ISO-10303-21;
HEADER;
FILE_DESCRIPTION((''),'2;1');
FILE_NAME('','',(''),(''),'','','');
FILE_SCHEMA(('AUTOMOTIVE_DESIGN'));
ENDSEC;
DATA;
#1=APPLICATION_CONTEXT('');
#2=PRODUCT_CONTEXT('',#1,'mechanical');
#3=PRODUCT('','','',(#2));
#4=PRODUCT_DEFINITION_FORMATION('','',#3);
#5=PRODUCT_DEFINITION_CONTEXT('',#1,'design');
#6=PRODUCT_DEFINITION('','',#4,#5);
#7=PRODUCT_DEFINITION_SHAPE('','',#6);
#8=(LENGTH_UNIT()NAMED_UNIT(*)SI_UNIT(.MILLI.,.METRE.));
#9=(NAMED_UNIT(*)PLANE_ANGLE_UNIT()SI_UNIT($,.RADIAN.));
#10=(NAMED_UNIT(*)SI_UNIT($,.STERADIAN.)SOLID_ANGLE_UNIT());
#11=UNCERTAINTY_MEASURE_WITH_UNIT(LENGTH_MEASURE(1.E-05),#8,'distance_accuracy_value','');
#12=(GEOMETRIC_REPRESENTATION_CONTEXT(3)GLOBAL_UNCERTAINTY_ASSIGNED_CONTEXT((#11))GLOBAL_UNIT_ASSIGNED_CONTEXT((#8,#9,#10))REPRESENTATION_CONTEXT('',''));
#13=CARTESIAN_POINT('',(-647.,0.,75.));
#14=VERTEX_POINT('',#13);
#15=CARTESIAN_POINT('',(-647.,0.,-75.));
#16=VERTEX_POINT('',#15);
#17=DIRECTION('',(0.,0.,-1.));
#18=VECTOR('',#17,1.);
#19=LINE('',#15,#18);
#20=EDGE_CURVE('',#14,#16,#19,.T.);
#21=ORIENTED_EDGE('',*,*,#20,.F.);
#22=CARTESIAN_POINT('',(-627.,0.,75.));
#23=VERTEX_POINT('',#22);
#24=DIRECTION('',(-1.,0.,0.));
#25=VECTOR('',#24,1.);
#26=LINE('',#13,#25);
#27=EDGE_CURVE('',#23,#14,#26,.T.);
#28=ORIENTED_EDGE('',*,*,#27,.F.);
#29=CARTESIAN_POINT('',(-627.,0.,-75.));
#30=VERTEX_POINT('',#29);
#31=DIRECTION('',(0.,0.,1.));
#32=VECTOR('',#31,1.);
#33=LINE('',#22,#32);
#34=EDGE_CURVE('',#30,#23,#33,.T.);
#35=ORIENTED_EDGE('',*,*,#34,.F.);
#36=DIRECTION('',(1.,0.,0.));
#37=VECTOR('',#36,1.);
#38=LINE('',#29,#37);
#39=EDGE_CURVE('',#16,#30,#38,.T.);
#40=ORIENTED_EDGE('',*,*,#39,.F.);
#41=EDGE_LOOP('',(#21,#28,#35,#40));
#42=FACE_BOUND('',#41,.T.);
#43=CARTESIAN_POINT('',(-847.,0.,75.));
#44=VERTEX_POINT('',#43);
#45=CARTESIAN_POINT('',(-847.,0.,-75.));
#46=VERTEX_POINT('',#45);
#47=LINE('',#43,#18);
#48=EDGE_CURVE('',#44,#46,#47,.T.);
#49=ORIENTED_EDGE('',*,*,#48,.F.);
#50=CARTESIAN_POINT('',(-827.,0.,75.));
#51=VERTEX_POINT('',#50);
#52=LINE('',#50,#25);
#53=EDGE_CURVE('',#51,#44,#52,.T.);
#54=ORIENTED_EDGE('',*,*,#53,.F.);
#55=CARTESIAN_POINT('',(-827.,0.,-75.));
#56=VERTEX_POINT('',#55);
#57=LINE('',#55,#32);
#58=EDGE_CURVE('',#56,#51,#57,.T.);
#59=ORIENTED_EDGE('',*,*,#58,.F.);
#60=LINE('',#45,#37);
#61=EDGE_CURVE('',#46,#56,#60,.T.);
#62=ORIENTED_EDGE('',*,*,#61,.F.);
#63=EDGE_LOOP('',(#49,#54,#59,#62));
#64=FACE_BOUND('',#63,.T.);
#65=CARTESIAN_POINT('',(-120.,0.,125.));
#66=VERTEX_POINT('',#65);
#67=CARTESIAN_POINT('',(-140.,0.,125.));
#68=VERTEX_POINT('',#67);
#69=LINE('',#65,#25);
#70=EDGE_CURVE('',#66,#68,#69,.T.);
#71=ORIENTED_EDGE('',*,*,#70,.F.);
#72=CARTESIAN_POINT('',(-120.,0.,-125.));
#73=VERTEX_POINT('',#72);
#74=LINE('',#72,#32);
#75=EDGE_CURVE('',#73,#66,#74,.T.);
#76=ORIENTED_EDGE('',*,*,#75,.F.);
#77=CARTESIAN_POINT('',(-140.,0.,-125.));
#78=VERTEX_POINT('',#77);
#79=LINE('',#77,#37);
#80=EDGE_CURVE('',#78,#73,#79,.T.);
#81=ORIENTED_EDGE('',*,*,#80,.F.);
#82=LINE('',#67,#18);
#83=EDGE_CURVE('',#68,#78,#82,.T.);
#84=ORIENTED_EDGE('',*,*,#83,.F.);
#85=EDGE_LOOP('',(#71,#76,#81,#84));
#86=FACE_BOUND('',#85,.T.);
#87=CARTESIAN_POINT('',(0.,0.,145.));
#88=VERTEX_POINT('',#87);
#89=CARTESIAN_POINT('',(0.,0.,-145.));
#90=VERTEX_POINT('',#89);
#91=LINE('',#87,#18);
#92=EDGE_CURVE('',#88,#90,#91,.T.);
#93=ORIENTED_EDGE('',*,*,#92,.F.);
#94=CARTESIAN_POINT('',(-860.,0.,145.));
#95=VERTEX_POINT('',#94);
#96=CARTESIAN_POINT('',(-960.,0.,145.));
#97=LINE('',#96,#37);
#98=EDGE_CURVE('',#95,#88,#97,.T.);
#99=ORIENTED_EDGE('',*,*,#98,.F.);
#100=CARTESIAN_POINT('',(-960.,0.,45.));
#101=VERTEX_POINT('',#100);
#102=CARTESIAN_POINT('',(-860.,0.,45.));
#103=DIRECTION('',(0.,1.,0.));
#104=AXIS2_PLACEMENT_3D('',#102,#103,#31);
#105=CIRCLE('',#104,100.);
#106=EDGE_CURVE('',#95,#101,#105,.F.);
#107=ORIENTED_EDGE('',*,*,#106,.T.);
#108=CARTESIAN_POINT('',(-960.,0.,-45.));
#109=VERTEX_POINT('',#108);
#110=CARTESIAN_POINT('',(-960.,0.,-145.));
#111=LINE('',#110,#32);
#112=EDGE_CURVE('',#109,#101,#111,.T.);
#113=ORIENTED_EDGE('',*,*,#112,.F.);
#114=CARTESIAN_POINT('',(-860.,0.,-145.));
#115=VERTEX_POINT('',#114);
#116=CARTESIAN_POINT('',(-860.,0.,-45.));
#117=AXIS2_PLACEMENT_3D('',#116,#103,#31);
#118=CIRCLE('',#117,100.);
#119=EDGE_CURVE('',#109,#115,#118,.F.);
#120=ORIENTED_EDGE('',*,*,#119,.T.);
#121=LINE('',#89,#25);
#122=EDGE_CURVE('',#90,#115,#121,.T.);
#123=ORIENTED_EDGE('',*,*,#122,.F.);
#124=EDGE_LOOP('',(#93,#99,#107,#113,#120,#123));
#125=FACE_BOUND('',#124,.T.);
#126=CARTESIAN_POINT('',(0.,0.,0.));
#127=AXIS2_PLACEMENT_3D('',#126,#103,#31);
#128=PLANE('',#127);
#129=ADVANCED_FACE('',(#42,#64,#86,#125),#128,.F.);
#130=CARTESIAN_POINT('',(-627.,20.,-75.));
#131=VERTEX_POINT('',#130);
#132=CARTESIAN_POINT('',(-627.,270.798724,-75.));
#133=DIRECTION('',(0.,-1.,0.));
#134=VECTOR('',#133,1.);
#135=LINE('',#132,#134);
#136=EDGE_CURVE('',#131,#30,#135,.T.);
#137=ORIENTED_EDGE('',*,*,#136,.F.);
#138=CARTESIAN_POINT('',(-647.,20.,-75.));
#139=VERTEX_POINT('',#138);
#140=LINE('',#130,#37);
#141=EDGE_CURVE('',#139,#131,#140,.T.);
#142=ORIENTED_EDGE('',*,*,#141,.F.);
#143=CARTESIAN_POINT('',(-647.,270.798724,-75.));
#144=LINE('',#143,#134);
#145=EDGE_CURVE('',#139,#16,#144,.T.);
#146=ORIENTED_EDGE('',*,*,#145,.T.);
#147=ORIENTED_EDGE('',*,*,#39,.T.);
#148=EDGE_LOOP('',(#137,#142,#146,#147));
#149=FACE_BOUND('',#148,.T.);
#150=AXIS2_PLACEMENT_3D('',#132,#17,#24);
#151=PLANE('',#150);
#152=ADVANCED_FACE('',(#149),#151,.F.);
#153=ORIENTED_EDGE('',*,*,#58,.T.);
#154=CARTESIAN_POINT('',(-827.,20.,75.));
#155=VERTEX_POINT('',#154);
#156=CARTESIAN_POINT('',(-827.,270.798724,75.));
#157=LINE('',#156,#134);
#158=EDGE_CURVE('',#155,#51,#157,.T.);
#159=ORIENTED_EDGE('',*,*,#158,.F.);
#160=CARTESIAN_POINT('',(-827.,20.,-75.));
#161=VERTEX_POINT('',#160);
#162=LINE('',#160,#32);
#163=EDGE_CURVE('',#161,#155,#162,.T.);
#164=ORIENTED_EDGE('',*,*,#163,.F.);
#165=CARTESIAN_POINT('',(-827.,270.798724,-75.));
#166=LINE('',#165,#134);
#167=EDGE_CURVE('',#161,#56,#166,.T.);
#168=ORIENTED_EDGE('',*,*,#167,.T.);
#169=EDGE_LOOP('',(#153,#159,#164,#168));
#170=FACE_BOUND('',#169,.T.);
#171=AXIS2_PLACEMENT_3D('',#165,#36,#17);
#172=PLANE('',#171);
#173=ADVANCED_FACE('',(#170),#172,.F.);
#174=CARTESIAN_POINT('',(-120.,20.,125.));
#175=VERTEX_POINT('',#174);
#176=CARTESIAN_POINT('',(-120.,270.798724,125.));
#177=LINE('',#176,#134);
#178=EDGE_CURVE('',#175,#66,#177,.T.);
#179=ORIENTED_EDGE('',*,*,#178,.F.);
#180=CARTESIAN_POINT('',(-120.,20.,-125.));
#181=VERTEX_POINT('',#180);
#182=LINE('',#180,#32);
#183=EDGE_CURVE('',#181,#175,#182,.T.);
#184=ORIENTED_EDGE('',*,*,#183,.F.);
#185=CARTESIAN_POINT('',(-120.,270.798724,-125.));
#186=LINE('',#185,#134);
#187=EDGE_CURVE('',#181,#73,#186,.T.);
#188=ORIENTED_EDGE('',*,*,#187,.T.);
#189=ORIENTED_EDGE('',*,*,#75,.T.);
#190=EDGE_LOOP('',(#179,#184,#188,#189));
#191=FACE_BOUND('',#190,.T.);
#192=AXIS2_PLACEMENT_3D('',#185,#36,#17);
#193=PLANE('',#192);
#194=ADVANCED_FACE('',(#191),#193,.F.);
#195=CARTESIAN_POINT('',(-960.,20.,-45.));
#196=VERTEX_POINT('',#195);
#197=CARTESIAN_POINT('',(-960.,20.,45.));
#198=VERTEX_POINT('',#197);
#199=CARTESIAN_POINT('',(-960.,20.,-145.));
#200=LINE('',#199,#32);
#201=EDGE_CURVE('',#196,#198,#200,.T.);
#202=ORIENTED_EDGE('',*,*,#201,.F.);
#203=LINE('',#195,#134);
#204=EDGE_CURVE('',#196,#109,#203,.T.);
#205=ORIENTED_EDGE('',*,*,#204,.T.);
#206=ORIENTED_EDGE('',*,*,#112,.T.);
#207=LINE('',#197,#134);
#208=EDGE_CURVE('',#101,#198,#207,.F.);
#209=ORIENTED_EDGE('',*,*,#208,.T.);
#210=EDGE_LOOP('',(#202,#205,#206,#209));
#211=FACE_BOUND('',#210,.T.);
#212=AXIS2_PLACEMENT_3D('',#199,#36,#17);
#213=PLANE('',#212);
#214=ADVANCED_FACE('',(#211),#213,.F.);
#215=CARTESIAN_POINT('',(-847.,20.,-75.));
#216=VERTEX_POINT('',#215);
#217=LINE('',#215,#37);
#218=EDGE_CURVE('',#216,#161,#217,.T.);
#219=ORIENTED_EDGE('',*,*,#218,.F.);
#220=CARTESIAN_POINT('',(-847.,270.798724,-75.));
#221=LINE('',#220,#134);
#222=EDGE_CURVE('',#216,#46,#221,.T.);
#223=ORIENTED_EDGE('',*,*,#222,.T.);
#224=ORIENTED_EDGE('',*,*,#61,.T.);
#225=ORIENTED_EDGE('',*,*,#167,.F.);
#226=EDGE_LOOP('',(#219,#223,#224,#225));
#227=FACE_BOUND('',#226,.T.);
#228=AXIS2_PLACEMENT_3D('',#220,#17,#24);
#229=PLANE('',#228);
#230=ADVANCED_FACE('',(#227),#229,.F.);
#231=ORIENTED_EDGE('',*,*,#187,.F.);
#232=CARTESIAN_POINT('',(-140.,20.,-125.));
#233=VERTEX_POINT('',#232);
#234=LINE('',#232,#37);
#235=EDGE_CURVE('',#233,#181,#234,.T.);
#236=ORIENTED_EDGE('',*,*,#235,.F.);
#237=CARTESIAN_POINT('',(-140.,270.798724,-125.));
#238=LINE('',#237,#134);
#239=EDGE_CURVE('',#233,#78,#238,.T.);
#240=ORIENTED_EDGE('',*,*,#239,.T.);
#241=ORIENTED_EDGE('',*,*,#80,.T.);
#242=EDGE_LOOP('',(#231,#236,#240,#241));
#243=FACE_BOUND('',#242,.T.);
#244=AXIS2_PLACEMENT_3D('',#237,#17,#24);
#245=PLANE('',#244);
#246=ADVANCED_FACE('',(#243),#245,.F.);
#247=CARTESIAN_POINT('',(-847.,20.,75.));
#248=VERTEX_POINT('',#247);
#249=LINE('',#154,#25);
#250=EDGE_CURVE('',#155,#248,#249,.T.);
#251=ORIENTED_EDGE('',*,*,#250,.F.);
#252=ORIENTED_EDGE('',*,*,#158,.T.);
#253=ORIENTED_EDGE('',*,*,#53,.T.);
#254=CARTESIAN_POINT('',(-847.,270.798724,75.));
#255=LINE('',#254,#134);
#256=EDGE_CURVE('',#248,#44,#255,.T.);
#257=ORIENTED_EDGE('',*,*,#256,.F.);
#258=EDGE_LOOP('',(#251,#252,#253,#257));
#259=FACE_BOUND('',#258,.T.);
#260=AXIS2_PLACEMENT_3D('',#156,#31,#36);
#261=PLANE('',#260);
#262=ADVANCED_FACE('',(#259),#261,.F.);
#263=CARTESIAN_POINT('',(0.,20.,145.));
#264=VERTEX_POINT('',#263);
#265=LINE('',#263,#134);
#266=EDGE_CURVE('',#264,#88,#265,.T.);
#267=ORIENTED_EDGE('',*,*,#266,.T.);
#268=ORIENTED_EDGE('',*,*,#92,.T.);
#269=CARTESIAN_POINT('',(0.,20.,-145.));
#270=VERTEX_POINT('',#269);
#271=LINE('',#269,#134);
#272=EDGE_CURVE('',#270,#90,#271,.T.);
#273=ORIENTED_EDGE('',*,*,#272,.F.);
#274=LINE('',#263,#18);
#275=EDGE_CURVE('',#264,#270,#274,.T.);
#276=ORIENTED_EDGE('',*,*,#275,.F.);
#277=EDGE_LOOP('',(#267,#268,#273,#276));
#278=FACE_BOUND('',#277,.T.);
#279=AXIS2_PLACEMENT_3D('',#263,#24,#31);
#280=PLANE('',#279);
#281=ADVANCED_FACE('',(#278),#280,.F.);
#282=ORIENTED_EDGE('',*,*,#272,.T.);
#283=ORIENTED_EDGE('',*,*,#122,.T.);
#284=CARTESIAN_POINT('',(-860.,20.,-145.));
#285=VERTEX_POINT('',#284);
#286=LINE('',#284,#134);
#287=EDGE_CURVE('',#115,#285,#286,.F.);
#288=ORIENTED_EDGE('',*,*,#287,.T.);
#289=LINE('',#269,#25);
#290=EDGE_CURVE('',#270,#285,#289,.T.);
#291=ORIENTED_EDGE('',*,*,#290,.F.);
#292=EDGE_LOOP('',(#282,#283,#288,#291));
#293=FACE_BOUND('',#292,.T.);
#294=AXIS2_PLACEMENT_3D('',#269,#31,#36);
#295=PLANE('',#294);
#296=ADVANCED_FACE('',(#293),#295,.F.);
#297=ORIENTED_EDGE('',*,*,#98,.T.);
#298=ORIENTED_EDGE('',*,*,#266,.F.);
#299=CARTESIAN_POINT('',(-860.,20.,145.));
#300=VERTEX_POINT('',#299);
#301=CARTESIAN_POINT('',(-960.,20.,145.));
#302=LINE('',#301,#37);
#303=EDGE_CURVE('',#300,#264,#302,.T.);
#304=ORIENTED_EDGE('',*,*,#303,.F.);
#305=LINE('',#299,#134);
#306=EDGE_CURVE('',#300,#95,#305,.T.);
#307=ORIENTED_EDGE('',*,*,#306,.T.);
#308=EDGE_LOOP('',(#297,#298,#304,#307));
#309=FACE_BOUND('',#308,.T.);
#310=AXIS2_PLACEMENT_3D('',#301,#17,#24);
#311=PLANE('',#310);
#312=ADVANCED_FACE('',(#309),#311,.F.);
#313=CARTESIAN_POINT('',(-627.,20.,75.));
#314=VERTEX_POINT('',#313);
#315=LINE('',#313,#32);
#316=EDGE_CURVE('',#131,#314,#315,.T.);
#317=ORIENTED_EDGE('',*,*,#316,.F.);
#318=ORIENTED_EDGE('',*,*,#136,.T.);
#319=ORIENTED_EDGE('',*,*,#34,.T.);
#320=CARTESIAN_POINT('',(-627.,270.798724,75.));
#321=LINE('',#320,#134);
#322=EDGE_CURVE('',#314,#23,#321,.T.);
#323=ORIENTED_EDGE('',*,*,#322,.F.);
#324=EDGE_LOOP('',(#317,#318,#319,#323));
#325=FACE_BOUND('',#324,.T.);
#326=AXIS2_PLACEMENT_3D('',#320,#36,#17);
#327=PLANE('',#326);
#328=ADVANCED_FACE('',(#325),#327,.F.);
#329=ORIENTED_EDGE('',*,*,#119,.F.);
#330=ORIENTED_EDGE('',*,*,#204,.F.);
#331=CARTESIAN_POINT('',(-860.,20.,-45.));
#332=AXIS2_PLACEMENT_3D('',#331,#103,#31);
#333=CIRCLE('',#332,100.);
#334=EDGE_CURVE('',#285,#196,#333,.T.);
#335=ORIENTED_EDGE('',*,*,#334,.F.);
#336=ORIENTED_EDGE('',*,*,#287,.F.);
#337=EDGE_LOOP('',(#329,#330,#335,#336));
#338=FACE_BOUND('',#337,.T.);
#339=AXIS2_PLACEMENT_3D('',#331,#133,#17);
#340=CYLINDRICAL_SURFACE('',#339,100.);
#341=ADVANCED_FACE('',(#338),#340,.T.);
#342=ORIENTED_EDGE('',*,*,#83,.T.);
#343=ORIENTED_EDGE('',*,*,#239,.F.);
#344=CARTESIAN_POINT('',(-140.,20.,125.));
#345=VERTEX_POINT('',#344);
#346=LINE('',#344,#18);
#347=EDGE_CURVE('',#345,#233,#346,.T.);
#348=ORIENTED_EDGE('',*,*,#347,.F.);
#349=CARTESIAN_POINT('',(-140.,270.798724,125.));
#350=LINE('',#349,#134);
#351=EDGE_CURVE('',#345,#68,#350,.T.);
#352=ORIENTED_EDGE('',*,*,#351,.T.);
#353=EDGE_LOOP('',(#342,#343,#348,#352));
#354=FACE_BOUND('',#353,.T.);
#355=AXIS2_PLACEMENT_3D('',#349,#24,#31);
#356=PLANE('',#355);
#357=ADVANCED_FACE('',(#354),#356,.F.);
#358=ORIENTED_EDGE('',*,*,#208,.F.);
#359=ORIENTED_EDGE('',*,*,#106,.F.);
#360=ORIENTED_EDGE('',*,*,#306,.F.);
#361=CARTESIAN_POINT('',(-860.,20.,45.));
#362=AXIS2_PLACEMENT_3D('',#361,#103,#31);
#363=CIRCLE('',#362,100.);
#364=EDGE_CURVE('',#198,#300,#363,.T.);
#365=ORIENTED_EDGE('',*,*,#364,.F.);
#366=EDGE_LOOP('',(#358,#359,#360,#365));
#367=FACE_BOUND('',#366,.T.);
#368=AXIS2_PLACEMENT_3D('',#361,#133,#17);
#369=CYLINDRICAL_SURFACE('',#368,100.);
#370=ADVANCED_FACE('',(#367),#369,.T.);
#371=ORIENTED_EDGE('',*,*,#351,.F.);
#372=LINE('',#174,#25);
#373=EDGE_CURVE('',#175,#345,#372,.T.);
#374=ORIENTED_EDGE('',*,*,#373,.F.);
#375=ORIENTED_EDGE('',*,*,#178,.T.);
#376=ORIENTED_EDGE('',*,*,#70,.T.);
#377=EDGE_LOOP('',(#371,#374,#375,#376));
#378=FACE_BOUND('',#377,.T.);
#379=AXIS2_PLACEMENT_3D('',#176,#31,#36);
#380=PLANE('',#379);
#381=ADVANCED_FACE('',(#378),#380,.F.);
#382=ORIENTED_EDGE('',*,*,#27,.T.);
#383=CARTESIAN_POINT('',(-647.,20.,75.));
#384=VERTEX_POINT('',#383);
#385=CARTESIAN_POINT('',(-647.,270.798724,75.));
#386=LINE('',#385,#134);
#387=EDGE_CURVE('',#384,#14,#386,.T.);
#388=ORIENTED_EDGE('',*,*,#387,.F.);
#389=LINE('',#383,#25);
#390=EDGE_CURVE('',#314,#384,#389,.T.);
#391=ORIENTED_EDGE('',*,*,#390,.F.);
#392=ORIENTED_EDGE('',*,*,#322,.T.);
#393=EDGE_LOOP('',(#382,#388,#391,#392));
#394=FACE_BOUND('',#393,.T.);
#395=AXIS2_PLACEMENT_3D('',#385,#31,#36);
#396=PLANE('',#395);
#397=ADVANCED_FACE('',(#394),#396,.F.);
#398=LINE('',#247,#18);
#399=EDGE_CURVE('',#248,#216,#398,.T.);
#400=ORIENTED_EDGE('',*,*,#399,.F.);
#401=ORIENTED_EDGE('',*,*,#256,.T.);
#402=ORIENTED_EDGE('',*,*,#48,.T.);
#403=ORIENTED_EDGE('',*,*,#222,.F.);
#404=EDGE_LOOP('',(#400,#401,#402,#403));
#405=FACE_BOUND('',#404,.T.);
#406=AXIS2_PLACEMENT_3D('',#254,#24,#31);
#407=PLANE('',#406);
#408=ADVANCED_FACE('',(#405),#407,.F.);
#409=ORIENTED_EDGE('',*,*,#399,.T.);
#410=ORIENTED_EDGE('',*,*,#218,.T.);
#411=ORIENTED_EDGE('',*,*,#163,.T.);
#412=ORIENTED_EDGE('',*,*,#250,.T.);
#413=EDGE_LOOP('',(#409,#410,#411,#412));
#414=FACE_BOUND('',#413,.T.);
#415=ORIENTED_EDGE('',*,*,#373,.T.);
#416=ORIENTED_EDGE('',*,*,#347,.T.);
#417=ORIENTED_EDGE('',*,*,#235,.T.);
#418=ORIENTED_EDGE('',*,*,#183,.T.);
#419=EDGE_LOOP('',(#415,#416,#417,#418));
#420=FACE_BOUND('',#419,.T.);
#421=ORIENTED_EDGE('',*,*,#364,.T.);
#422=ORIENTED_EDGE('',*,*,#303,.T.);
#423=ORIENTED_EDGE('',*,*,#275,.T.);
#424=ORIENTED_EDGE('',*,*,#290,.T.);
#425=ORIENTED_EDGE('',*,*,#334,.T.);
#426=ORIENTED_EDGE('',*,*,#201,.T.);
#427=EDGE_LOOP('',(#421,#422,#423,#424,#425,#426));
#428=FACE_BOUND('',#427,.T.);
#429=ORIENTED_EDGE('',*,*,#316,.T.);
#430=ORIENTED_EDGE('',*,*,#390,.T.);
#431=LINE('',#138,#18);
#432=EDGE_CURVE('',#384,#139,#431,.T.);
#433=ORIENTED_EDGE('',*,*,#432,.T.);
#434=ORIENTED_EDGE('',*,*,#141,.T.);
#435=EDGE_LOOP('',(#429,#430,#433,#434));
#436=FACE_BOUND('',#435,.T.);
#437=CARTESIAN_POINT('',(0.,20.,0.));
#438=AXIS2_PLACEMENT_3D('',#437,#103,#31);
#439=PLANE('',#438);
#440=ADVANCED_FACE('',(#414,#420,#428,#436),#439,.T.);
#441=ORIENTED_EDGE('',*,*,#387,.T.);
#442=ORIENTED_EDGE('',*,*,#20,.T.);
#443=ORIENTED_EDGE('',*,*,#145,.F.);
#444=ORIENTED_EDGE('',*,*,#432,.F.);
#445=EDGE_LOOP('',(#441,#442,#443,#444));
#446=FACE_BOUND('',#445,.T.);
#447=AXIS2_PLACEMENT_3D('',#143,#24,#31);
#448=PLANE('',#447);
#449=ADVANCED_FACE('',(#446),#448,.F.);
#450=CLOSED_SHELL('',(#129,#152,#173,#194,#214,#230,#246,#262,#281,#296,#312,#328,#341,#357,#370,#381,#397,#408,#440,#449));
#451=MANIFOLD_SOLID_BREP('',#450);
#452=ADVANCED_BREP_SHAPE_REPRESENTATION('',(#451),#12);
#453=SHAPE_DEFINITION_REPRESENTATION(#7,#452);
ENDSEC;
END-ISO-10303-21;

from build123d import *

# Parameters (mm, degrees)
SKETCH1_W           = 960
SKETCH1_H           = 290
BOSS_EXTRUDE1_DEPTH = 20
FILLET1_R           = 100
SKETCH5_W           = 20
SKETCH5_H           = 250
SKETCH5_H_2         = 150
CUT_EXTRUDE1_DEPTH  = 20


with BuildPart() as part:
    # Sketch1 → Boss-Extrude1 (new body)
    with BuildSketch(Plane(origin=(0, 0, 0), x_dir=(1, 0, 0), z_dir=(0, 1, 0))):
        with Locations((-480, 0)):
            Rectangle(SKETCH1_W, SKETCH1_H)
    extrude(amount=BOSS_EXTRUDE1_DEPTH)

    # Fillet1
    fillet1_edges = [part.edges().sort_by_distance(p)[0] for p in [
        (-960, 10, 145),
        (-960, 10, -145),
    ]]
    fillet(fillet1_edges, radius=FILLET1_R)

    # Sketch5 → Cut-Extrude1 (cut)
    with BuildSketch(Plane.XZ):
        with Locations((-130, 0)):
            Rectangle(SKETCH5_W, SKETCH5_H)
        with Locations((-637, 0)):
            Rectangle(SKETCH5_W, SKETCH5_H_2)
        with Locations((-837, 0)):
            Rectangle(SKETCH5_W, SKETCH5_H_2)
    extrude(amount=-CUT_EXTRUDE1_DEPTH, mode=Mode.SUBTRACT)


solid = part.part
